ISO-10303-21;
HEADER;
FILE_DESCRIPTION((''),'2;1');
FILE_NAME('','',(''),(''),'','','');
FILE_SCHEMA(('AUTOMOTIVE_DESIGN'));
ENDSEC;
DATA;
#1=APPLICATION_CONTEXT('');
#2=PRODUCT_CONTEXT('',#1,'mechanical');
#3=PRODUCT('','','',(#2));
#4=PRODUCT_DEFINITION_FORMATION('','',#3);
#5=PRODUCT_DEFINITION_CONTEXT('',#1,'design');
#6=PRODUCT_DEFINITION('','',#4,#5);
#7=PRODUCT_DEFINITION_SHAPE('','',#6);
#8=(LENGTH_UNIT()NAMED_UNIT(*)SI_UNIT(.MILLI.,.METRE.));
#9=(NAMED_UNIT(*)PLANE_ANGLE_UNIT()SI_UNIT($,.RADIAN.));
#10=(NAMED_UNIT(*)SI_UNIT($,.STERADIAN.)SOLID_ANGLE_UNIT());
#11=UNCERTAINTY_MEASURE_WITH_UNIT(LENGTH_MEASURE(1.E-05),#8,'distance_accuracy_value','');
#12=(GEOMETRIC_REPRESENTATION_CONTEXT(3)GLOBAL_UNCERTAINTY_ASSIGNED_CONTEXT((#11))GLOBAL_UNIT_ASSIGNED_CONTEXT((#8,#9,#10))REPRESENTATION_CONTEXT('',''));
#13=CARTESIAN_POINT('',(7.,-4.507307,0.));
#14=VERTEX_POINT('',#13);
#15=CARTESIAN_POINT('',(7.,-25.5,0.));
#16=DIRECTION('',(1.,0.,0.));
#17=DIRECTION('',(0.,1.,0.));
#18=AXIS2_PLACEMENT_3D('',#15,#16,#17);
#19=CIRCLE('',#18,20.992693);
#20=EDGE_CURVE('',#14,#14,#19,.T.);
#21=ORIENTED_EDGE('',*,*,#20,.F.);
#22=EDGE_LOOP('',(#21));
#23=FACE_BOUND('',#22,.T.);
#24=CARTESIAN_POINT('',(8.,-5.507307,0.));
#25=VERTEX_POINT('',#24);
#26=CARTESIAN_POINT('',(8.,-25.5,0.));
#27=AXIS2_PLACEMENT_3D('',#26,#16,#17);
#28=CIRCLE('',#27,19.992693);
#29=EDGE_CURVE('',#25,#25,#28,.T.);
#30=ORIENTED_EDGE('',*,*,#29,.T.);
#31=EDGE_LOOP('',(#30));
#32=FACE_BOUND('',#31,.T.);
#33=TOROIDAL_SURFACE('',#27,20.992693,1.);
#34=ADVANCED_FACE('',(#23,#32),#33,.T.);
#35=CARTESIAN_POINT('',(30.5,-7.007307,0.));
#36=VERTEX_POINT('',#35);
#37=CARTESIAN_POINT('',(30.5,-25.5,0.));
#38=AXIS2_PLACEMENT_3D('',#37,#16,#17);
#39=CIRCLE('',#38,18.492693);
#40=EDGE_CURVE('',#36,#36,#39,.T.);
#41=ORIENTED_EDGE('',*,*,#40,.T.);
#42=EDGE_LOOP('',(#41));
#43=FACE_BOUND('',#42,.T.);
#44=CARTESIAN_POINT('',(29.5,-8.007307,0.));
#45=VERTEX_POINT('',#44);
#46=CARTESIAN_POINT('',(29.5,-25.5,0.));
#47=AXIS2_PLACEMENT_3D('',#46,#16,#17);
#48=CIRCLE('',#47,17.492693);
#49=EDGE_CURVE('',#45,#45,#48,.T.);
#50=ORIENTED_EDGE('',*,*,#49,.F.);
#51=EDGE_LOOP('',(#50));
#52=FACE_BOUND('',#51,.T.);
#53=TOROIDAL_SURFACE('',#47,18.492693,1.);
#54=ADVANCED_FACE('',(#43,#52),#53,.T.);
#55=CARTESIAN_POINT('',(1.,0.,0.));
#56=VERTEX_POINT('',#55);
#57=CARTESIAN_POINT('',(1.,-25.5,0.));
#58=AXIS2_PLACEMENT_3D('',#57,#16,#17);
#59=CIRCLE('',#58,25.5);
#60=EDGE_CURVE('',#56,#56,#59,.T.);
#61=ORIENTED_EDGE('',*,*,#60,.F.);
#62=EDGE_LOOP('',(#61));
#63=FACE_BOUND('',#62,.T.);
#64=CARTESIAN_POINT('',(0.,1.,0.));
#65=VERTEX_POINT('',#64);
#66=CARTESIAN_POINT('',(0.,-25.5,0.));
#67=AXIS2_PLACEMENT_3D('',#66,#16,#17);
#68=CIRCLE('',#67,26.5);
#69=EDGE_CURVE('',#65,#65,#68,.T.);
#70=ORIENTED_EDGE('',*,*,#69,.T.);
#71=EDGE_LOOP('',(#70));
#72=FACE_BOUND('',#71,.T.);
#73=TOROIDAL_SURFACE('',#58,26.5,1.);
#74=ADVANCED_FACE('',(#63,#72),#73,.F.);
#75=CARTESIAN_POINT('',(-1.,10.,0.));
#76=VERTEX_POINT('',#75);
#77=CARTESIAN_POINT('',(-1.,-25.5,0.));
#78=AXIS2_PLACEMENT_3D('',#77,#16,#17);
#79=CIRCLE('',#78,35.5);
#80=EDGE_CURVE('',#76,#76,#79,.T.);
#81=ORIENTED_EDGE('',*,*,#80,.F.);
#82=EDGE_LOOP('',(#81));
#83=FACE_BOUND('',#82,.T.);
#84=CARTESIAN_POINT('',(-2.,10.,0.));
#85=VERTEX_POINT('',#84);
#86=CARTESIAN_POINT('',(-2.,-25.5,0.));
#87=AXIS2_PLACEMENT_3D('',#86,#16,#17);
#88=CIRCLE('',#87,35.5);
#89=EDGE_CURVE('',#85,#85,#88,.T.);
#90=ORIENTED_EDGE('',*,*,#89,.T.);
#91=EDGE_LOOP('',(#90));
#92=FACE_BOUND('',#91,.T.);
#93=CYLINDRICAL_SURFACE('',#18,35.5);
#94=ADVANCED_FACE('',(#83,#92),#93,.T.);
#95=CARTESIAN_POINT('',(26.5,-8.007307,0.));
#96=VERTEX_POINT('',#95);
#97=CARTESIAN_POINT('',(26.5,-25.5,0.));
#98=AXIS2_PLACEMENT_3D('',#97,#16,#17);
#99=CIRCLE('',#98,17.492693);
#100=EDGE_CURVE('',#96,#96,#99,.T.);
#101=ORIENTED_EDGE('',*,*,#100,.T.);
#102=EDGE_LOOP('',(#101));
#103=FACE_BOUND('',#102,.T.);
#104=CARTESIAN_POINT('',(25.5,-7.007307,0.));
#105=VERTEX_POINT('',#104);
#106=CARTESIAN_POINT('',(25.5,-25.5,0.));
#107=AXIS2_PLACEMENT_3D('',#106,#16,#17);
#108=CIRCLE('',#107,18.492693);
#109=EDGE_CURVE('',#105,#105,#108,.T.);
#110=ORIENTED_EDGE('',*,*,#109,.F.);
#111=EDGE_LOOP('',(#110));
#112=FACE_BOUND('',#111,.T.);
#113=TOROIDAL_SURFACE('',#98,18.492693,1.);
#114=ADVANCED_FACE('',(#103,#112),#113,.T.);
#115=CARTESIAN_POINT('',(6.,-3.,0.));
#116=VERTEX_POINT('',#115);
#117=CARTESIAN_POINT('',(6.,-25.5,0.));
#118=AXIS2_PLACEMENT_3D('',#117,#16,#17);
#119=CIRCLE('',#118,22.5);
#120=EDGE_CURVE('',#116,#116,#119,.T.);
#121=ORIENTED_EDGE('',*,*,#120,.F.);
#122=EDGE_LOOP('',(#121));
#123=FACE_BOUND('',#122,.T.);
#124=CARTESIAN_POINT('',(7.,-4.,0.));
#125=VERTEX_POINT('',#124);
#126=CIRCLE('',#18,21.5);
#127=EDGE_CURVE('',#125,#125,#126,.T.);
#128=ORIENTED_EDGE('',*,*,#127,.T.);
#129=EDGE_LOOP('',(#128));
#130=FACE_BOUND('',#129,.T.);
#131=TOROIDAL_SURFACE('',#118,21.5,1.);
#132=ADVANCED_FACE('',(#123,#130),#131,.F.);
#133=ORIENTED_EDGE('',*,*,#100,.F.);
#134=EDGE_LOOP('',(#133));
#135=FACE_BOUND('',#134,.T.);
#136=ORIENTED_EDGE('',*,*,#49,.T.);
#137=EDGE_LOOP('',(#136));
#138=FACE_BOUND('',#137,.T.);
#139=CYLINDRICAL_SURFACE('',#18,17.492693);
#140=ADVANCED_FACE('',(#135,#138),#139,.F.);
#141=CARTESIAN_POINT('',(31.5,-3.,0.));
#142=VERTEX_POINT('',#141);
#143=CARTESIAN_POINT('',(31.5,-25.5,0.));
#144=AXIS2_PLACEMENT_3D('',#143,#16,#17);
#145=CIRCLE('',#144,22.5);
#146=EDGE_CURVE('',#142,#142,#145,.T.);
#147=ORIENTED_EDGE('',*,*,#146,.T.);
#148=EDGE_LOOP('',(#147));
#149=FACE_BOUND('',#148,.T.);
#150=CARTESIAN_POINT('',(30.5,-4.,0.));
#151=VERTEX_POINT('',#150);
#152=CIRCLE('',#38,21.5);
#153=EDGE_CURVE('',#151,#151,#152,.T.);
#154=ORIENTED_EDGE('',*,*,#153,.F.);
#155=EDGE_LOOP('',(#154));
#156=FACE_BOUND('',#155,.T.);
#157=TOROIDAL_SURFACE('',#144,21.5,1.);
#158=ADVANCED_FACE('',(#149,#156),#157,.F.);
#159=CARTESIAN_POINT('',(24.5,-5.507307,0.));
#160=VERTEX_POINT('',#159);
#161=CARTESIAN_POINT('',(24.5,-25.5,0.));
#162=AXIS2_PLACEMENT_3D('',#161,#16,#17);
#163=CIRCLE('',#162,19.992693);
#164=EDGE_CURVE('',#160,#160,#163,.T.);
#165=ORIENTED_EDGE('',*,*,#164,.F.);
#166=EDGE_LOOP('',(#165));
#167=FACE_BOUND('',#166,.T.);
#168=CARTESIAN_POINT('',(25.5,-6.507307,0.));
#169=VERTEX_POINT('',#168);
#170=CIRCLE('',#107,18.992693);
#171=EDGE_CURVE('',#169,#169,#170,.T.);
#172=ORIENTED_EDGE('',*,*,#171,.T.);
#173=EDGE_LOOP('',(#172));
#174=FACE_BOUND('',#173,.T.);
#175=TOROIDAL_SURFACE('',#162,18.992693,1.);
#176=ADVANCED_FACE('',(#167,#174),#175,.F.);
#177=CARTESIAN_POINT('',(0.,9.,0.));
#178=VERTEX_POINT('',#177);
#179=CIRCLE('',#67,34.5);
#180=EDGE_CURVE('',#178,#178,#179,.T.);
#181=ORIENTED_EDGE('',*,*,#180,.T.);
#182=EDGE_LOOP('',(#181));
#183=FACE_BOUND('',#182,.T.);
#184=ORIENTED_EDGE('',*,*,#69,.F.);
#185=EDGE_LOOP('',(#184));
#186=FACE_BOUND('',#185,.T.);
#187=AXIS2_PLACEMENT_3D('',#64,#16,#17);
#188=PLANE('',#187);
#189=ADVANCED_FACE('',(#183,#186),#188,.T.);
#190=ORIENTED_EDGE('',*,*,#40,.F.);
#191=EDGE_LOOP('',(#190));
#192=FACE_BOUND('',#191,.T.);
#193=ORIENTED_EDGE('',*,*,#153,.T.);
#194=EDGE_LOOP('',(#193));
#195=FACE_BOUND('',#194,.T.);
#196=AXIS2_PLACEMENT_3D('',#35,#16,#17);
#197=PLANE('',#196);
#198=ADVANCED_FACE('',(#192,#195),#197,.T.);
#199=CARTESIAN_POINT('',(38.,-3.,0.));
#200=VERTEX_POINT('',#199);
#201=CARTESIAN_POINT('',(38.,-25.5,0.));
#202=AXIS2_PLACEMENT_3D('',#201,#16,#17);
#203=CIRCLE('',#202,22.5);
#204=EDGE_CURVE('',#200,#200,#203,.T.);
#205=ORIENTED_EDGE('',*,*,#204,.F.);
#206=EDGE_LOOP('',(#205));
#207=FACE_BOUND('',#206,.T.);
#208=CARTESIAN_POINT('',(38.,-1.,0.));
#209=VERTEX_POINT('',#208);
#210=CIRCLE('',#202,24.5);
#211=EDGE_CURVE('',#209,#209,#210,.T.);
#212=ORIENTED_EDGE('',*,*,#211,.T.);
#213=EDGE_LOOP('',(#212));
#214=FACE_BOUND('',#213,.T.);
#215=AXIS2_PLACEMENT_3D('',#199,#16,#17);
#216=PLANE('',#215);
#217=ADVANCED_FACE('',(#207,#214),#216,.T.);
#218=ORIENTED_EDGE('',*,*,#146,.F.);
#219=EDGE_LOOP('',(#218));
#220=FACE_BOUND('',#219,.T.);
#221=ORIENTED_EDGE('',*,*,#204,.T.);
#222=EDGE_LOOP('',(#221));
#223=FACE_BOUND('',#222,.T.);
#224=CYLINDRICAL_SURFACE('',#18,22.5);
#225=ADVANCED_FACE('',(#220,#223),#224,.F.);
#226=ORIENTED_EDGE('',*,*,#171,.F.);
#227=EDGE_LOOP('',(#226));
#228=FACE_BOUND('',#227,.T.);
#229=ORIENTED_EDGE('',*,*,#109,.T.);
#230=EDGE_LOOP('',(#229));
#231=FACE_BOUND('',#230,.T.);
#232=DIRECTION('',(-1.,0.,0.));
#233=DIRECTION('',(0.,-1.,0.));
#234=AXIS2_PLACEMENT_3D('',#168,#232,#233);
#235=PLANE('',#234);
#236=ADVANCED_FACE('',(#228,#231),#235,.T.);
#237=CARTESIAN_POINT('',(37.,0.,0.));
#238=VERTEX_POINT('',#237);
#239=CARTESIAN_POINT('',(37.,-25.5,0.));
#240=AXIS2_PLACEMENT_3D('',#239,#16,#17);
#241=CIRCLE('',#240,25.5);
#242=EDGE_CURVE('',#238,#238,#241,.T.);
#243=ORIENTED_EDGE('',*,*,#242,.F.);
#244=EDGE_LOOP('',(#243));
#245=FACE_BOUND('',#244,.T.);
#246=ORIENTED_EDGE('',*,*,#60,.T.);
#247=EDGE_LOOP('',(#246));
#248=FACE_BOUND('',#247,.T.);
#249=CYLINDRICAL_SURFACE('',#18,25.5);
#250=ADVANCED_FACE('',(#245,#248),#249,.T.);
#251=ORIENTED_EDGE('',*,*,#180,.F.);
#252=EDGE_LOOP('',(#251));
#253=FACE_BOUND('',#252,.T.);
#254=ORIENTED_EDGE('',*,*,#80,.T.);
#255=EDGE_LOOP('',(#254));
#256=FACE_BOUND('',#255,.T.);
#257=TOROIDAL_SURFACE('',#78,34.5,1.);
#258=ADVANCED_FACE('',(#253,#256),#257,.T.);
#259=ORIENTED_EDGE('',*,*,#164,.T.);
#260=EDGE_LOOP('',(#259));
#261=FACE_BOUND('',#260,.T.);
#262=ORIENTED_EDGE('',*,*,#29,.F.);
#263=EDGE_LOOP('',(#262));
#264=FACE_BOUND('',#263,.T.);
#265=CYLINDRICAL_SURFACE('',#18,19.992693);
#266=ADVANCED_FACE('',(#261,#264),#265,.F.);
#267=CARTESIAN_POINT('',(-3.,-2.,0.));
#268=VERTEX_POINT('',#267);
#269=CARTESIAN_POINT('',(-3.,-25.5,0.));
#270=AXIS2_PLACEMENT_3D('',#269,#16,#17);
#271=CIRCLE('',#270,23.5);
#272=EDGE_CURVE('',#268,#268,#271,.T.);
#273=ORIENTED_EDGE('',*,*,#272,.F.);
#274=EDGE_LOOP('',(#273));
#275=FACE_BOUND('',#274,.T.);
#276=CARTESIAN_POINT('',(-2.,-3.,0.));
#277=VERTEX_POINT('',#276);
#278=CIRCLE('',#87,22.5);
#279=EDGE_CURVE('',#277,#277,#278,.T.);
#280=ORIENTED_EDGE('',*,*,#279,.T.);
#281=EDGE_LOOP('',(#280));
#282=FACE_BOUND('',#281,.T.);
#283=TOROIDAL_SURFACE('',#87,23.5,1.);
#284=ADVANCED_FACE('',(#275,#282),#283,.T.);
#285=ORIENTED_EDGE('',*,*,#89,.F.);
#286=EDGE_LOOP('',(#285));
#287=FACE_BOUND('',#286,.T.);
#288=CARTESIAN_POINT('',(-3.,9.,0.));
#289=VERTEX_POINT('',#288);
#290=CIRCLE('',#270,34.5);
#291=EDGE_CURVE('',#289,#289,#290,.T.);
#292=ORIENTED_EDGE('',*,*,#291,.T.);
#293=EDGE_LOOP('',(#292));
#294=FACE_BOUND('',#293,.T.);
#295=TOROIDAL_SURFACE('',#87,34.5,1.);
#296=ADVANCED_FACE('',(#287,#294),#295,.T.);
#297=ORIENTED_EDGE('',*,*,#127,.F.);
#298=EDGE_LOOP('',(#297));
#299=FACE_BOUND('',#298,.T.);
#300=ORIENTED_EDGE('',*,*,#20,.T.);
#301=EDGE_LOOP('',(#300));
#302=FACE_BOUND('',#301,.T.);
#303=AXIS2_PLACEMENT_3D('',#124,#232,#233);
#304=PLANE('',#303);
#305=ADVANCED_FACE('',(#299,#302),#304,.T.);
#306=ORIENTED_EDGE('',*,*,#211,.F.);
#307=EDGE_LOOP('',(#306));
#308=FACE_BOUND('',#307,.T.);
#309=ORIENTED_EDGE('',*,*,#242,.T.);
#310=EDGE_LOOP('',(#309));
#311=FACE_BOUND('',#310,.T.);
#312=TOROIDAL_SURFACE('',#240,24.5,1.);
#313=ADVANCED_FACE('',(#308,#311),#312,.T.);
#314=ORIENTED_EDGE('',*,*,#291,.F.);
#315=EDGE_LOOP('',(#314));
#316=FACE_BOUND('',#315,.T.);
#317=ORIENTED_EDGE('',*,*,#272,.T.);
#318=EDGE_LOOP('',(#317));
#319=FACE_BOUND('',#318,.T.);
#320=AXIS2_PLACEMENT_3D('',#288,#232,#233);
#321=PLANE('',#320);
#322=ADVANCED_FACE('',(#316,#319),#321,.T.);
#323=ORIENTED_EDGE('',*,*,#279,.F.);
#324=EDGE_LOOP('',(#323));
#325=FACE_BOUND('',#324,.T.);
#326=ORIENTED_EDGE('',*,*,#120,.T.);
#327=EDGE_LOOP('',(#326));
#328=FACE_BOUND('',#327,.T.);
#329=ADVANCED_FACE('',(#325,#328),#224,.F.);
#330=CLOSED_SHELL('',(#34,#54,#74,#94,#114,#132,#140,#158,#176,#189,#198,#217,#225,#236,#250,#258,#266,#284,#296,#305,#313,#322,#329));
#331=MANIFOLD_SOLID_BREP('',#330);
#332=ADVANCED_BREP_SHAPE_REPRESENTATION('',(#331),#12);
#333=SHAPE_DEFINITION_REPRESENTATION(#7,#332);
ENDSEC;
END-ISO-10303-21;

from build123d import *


with BuildPart() as part:
    # Sketch2 → Revolve1 (revolve)
    with BuildSketch(Plane.XY):
        with BuildLine():
            Line((1, 0), (37, 0))
            ThreePointArc((37, 0), (37.707106781, -0.292893219), (38, -1))
            Line((38, -1), (38, -3))
            Line((38, -3), (31.5, -3))
            ThreePointArc((31.5, -3), (30.792893219, -3.292893219), (30.5, -4))
            Line((30.5, -4), (30.5, -7.007306818))
            ThreePointArc((30.5, -7.007306818), (30.207106781, -7.714413599), (29.5, -8.007306818))
            Line((29.5, -8.007306818), (26.5, -8.007306818))
            ThreePointArc((26.5, -8.007306818), (25.792893219, -7.714413599), (25.5, -7.007306818))
            Line((25.5, -7.007306818), (25.5, -6.507306818))
            ThreePointArc((25.5, -6.507306818), (25.207106781, -5.800200037), (24.5, -5.507306818))
            Line((24.5, -5.507306818), (8, -5.507306818))
            ThreePointArc((8, -5.507306818), (7.292893219, -5.214413599), (7, -4.507306818))
            Line((7, -4.507306818), (7, -4))
            ThreePointArc((7, -4), (6.707106781, -3.292893219), (6, -3))
            Line((6, -3), (-2, -3))
            ThreePointArc((-2, -3), (-2.707106781, -2.707106781), (-3, -2))
            Line((-3, -2), (-3, 9))
            ThreePointArc((-3, 9), (-2.707106781, 9.707106781), (-2, 10))
            Line((-2, 10), (-1, 10))
            ThreePointArc((-1, 10), (-0.292893219, 9.707106781), (0, 9))
            Line((0, 9), (0, 1))
            ThreePointArc((0, 1), (0.292893219, 0.292893219), (1, 0))
        make_face()
    revolve(axis=Axis((7, -25.5, 0), (-1, 0, 0)))


solid = part.part
